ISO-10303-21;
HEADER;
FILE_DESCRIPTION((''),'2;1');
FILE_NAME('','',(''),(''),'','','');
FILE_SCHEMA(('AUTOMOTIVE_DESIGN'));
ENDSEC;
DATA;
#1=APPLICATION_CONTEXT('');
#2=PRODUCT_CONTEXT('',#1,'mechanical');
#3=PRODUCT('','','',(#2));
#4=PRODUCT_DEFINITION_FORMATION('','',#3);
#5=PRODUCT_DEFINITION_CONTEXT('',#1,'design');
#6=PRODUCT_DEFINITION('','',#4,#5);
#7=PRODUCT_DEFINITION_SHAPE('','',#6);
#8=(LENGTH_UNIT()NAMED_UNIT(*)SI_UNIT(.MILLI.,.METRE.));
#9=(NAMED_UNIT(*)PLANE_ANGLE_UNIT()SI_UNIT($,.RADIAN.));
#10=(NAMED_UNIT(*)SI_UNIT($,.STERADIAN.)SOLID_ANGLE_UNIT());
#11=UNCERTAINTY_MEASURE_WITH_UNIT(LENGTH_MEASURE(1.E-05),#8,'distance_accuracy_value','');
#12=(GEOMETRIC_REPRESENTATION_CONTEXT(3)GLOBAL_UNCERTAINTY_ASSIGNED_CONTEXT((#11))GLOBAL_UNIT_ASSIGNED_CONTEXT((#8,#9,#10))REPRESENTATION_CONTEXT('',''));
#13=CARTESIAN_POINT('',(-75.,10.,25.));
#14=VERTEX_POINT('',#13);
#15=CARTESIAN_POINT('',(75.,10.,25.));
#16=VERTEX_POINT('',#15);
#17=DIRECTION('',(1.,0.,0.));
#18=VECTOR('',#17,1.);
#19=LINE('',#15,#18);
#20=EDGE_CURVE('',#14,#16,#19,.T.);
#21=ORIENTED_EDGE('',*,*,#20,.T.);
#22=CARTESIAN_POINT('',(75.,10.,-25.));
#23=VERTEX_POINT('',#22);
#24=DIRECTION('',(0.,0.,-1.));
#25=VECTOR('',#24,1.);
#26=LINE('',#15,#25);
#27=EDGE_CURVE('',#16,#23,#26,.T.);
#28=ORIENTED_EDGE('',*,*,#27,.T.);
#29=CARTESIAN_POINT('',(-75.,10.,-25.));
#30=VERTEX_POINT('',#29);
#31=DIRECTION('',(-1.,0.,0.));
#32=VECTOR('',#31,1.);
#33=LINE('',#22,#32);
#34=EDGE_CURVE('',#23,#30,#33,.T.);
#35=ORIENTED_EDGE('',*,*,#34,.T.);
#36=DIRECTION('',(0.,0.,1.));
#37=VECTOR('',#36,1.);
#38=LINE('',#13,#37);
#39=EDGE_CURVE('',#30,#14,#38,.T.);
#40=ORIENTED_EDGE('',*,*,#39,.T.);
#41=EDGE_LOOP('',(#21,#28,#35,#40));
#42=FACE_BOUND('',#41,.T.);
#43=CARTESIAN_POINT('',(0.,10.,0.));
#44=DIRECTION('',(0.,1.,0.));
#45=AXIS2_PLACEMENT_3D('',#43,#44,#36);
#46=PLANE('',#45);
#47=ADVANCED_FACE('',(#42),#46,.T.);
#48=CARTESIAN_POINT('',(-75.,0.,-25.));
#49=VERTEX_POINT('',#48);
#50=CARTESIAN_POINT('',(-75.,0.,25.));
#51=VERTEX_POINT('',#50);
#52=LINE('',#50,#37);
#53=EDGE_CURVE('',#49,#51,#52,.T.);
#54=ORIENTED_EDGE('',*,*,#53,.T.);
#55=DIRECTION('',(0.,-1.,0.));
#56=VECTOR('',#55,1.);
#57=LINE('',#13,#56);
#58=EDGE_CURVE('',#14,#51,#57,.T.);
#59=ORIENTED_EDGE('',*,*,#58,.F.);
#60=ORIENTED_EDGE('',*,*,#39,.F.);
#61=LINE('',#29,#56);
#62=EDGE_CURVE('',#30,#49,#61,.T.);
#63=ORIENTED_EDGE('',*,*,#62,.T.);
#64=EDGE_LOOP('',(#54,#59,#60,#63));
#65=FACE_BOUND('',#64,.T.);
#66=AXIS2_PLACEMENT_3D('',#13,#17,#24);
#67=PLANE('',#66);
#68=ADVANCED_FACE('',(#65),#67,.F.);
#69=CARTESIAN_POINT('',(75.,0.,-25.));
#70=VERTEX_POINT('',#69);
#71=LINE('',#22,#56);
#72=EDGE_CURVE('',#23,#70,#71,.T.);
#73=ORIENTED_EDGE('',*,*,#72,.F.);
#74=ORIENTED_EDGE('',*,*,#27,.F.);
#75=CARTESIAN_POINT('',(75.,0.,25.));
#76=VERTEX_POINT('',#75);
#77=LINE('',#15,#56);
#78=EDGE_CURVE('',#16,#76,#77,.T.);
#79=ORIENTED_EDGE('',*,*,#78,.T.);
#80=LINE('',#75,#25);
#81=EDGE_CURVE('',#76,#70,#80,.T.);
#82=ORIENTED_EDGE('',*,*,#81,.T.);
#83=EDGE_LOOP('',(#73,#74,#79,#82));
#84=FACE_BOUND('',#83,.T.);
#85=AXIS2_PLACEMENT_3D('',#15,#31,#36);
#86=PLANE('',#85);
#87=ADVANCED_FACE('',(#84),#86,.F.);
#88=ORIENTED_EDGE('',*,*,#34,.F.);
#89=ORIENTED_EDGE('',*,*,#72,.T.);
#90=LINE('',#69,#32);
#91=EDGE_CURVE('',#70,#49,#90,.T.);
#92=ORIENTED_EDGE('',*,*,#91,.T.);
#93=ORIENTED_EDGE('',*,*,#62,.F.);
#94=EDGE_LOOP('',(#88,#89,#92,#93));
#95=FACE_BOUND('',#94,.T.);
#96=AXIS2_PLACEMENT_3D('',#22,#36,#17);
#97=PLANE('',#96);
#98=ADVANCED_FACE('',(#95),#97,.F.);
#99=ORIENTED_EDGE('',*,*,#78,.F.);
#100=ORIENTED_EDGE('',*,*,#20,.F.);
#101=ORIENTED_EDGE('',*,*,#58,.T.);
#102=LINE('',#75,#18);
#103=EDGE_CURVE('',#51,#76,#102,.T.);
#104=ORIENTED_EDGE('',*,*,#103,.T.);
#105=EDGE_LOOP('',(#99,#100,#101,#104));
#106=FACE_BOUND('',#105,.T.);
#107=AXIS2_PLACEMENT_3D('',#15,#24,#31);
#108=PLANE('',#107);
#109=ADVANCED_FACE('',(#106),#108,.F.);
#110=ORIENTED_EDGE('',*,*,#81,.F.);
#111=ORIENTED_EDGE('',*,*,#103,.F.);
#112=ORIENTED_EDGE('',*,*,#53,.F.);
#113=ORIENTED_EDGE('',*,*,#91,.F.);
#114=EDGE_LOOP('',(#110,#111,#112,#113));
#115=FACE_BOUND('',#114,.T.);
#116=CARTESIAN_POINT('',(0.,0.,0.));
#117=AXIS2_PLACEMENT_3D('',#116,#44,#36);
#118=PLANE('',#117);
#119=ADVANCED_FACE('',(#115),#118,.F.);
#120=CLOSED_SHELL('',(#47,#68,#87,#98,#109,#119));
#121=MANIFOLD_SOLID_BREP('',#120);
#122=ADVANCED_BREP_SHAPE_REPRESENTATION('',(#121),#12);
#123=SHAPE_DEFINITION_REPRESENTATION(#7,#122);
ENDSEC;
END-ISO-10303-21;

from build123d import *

# Parameters (mm, degrees)
SKETCH1_W           = 150
SKETCH1_H           = 50
BOSS_EXTRUDE1_DEPTH = 10


with BuildPart() as part:
    # Sketch1 → Boss-Extrude1 (new body)
    with BuildSketch(Plane(origin=(0, 0, 0), x_dir=(1, 0, 0), z_dir=(0, 1, 0))):
        Rectangle(SKETCH1_W, SKETCH1_H)
    extrude(amount=BOSS_EXTRUDE1_DEPTH)


solid = part.part
